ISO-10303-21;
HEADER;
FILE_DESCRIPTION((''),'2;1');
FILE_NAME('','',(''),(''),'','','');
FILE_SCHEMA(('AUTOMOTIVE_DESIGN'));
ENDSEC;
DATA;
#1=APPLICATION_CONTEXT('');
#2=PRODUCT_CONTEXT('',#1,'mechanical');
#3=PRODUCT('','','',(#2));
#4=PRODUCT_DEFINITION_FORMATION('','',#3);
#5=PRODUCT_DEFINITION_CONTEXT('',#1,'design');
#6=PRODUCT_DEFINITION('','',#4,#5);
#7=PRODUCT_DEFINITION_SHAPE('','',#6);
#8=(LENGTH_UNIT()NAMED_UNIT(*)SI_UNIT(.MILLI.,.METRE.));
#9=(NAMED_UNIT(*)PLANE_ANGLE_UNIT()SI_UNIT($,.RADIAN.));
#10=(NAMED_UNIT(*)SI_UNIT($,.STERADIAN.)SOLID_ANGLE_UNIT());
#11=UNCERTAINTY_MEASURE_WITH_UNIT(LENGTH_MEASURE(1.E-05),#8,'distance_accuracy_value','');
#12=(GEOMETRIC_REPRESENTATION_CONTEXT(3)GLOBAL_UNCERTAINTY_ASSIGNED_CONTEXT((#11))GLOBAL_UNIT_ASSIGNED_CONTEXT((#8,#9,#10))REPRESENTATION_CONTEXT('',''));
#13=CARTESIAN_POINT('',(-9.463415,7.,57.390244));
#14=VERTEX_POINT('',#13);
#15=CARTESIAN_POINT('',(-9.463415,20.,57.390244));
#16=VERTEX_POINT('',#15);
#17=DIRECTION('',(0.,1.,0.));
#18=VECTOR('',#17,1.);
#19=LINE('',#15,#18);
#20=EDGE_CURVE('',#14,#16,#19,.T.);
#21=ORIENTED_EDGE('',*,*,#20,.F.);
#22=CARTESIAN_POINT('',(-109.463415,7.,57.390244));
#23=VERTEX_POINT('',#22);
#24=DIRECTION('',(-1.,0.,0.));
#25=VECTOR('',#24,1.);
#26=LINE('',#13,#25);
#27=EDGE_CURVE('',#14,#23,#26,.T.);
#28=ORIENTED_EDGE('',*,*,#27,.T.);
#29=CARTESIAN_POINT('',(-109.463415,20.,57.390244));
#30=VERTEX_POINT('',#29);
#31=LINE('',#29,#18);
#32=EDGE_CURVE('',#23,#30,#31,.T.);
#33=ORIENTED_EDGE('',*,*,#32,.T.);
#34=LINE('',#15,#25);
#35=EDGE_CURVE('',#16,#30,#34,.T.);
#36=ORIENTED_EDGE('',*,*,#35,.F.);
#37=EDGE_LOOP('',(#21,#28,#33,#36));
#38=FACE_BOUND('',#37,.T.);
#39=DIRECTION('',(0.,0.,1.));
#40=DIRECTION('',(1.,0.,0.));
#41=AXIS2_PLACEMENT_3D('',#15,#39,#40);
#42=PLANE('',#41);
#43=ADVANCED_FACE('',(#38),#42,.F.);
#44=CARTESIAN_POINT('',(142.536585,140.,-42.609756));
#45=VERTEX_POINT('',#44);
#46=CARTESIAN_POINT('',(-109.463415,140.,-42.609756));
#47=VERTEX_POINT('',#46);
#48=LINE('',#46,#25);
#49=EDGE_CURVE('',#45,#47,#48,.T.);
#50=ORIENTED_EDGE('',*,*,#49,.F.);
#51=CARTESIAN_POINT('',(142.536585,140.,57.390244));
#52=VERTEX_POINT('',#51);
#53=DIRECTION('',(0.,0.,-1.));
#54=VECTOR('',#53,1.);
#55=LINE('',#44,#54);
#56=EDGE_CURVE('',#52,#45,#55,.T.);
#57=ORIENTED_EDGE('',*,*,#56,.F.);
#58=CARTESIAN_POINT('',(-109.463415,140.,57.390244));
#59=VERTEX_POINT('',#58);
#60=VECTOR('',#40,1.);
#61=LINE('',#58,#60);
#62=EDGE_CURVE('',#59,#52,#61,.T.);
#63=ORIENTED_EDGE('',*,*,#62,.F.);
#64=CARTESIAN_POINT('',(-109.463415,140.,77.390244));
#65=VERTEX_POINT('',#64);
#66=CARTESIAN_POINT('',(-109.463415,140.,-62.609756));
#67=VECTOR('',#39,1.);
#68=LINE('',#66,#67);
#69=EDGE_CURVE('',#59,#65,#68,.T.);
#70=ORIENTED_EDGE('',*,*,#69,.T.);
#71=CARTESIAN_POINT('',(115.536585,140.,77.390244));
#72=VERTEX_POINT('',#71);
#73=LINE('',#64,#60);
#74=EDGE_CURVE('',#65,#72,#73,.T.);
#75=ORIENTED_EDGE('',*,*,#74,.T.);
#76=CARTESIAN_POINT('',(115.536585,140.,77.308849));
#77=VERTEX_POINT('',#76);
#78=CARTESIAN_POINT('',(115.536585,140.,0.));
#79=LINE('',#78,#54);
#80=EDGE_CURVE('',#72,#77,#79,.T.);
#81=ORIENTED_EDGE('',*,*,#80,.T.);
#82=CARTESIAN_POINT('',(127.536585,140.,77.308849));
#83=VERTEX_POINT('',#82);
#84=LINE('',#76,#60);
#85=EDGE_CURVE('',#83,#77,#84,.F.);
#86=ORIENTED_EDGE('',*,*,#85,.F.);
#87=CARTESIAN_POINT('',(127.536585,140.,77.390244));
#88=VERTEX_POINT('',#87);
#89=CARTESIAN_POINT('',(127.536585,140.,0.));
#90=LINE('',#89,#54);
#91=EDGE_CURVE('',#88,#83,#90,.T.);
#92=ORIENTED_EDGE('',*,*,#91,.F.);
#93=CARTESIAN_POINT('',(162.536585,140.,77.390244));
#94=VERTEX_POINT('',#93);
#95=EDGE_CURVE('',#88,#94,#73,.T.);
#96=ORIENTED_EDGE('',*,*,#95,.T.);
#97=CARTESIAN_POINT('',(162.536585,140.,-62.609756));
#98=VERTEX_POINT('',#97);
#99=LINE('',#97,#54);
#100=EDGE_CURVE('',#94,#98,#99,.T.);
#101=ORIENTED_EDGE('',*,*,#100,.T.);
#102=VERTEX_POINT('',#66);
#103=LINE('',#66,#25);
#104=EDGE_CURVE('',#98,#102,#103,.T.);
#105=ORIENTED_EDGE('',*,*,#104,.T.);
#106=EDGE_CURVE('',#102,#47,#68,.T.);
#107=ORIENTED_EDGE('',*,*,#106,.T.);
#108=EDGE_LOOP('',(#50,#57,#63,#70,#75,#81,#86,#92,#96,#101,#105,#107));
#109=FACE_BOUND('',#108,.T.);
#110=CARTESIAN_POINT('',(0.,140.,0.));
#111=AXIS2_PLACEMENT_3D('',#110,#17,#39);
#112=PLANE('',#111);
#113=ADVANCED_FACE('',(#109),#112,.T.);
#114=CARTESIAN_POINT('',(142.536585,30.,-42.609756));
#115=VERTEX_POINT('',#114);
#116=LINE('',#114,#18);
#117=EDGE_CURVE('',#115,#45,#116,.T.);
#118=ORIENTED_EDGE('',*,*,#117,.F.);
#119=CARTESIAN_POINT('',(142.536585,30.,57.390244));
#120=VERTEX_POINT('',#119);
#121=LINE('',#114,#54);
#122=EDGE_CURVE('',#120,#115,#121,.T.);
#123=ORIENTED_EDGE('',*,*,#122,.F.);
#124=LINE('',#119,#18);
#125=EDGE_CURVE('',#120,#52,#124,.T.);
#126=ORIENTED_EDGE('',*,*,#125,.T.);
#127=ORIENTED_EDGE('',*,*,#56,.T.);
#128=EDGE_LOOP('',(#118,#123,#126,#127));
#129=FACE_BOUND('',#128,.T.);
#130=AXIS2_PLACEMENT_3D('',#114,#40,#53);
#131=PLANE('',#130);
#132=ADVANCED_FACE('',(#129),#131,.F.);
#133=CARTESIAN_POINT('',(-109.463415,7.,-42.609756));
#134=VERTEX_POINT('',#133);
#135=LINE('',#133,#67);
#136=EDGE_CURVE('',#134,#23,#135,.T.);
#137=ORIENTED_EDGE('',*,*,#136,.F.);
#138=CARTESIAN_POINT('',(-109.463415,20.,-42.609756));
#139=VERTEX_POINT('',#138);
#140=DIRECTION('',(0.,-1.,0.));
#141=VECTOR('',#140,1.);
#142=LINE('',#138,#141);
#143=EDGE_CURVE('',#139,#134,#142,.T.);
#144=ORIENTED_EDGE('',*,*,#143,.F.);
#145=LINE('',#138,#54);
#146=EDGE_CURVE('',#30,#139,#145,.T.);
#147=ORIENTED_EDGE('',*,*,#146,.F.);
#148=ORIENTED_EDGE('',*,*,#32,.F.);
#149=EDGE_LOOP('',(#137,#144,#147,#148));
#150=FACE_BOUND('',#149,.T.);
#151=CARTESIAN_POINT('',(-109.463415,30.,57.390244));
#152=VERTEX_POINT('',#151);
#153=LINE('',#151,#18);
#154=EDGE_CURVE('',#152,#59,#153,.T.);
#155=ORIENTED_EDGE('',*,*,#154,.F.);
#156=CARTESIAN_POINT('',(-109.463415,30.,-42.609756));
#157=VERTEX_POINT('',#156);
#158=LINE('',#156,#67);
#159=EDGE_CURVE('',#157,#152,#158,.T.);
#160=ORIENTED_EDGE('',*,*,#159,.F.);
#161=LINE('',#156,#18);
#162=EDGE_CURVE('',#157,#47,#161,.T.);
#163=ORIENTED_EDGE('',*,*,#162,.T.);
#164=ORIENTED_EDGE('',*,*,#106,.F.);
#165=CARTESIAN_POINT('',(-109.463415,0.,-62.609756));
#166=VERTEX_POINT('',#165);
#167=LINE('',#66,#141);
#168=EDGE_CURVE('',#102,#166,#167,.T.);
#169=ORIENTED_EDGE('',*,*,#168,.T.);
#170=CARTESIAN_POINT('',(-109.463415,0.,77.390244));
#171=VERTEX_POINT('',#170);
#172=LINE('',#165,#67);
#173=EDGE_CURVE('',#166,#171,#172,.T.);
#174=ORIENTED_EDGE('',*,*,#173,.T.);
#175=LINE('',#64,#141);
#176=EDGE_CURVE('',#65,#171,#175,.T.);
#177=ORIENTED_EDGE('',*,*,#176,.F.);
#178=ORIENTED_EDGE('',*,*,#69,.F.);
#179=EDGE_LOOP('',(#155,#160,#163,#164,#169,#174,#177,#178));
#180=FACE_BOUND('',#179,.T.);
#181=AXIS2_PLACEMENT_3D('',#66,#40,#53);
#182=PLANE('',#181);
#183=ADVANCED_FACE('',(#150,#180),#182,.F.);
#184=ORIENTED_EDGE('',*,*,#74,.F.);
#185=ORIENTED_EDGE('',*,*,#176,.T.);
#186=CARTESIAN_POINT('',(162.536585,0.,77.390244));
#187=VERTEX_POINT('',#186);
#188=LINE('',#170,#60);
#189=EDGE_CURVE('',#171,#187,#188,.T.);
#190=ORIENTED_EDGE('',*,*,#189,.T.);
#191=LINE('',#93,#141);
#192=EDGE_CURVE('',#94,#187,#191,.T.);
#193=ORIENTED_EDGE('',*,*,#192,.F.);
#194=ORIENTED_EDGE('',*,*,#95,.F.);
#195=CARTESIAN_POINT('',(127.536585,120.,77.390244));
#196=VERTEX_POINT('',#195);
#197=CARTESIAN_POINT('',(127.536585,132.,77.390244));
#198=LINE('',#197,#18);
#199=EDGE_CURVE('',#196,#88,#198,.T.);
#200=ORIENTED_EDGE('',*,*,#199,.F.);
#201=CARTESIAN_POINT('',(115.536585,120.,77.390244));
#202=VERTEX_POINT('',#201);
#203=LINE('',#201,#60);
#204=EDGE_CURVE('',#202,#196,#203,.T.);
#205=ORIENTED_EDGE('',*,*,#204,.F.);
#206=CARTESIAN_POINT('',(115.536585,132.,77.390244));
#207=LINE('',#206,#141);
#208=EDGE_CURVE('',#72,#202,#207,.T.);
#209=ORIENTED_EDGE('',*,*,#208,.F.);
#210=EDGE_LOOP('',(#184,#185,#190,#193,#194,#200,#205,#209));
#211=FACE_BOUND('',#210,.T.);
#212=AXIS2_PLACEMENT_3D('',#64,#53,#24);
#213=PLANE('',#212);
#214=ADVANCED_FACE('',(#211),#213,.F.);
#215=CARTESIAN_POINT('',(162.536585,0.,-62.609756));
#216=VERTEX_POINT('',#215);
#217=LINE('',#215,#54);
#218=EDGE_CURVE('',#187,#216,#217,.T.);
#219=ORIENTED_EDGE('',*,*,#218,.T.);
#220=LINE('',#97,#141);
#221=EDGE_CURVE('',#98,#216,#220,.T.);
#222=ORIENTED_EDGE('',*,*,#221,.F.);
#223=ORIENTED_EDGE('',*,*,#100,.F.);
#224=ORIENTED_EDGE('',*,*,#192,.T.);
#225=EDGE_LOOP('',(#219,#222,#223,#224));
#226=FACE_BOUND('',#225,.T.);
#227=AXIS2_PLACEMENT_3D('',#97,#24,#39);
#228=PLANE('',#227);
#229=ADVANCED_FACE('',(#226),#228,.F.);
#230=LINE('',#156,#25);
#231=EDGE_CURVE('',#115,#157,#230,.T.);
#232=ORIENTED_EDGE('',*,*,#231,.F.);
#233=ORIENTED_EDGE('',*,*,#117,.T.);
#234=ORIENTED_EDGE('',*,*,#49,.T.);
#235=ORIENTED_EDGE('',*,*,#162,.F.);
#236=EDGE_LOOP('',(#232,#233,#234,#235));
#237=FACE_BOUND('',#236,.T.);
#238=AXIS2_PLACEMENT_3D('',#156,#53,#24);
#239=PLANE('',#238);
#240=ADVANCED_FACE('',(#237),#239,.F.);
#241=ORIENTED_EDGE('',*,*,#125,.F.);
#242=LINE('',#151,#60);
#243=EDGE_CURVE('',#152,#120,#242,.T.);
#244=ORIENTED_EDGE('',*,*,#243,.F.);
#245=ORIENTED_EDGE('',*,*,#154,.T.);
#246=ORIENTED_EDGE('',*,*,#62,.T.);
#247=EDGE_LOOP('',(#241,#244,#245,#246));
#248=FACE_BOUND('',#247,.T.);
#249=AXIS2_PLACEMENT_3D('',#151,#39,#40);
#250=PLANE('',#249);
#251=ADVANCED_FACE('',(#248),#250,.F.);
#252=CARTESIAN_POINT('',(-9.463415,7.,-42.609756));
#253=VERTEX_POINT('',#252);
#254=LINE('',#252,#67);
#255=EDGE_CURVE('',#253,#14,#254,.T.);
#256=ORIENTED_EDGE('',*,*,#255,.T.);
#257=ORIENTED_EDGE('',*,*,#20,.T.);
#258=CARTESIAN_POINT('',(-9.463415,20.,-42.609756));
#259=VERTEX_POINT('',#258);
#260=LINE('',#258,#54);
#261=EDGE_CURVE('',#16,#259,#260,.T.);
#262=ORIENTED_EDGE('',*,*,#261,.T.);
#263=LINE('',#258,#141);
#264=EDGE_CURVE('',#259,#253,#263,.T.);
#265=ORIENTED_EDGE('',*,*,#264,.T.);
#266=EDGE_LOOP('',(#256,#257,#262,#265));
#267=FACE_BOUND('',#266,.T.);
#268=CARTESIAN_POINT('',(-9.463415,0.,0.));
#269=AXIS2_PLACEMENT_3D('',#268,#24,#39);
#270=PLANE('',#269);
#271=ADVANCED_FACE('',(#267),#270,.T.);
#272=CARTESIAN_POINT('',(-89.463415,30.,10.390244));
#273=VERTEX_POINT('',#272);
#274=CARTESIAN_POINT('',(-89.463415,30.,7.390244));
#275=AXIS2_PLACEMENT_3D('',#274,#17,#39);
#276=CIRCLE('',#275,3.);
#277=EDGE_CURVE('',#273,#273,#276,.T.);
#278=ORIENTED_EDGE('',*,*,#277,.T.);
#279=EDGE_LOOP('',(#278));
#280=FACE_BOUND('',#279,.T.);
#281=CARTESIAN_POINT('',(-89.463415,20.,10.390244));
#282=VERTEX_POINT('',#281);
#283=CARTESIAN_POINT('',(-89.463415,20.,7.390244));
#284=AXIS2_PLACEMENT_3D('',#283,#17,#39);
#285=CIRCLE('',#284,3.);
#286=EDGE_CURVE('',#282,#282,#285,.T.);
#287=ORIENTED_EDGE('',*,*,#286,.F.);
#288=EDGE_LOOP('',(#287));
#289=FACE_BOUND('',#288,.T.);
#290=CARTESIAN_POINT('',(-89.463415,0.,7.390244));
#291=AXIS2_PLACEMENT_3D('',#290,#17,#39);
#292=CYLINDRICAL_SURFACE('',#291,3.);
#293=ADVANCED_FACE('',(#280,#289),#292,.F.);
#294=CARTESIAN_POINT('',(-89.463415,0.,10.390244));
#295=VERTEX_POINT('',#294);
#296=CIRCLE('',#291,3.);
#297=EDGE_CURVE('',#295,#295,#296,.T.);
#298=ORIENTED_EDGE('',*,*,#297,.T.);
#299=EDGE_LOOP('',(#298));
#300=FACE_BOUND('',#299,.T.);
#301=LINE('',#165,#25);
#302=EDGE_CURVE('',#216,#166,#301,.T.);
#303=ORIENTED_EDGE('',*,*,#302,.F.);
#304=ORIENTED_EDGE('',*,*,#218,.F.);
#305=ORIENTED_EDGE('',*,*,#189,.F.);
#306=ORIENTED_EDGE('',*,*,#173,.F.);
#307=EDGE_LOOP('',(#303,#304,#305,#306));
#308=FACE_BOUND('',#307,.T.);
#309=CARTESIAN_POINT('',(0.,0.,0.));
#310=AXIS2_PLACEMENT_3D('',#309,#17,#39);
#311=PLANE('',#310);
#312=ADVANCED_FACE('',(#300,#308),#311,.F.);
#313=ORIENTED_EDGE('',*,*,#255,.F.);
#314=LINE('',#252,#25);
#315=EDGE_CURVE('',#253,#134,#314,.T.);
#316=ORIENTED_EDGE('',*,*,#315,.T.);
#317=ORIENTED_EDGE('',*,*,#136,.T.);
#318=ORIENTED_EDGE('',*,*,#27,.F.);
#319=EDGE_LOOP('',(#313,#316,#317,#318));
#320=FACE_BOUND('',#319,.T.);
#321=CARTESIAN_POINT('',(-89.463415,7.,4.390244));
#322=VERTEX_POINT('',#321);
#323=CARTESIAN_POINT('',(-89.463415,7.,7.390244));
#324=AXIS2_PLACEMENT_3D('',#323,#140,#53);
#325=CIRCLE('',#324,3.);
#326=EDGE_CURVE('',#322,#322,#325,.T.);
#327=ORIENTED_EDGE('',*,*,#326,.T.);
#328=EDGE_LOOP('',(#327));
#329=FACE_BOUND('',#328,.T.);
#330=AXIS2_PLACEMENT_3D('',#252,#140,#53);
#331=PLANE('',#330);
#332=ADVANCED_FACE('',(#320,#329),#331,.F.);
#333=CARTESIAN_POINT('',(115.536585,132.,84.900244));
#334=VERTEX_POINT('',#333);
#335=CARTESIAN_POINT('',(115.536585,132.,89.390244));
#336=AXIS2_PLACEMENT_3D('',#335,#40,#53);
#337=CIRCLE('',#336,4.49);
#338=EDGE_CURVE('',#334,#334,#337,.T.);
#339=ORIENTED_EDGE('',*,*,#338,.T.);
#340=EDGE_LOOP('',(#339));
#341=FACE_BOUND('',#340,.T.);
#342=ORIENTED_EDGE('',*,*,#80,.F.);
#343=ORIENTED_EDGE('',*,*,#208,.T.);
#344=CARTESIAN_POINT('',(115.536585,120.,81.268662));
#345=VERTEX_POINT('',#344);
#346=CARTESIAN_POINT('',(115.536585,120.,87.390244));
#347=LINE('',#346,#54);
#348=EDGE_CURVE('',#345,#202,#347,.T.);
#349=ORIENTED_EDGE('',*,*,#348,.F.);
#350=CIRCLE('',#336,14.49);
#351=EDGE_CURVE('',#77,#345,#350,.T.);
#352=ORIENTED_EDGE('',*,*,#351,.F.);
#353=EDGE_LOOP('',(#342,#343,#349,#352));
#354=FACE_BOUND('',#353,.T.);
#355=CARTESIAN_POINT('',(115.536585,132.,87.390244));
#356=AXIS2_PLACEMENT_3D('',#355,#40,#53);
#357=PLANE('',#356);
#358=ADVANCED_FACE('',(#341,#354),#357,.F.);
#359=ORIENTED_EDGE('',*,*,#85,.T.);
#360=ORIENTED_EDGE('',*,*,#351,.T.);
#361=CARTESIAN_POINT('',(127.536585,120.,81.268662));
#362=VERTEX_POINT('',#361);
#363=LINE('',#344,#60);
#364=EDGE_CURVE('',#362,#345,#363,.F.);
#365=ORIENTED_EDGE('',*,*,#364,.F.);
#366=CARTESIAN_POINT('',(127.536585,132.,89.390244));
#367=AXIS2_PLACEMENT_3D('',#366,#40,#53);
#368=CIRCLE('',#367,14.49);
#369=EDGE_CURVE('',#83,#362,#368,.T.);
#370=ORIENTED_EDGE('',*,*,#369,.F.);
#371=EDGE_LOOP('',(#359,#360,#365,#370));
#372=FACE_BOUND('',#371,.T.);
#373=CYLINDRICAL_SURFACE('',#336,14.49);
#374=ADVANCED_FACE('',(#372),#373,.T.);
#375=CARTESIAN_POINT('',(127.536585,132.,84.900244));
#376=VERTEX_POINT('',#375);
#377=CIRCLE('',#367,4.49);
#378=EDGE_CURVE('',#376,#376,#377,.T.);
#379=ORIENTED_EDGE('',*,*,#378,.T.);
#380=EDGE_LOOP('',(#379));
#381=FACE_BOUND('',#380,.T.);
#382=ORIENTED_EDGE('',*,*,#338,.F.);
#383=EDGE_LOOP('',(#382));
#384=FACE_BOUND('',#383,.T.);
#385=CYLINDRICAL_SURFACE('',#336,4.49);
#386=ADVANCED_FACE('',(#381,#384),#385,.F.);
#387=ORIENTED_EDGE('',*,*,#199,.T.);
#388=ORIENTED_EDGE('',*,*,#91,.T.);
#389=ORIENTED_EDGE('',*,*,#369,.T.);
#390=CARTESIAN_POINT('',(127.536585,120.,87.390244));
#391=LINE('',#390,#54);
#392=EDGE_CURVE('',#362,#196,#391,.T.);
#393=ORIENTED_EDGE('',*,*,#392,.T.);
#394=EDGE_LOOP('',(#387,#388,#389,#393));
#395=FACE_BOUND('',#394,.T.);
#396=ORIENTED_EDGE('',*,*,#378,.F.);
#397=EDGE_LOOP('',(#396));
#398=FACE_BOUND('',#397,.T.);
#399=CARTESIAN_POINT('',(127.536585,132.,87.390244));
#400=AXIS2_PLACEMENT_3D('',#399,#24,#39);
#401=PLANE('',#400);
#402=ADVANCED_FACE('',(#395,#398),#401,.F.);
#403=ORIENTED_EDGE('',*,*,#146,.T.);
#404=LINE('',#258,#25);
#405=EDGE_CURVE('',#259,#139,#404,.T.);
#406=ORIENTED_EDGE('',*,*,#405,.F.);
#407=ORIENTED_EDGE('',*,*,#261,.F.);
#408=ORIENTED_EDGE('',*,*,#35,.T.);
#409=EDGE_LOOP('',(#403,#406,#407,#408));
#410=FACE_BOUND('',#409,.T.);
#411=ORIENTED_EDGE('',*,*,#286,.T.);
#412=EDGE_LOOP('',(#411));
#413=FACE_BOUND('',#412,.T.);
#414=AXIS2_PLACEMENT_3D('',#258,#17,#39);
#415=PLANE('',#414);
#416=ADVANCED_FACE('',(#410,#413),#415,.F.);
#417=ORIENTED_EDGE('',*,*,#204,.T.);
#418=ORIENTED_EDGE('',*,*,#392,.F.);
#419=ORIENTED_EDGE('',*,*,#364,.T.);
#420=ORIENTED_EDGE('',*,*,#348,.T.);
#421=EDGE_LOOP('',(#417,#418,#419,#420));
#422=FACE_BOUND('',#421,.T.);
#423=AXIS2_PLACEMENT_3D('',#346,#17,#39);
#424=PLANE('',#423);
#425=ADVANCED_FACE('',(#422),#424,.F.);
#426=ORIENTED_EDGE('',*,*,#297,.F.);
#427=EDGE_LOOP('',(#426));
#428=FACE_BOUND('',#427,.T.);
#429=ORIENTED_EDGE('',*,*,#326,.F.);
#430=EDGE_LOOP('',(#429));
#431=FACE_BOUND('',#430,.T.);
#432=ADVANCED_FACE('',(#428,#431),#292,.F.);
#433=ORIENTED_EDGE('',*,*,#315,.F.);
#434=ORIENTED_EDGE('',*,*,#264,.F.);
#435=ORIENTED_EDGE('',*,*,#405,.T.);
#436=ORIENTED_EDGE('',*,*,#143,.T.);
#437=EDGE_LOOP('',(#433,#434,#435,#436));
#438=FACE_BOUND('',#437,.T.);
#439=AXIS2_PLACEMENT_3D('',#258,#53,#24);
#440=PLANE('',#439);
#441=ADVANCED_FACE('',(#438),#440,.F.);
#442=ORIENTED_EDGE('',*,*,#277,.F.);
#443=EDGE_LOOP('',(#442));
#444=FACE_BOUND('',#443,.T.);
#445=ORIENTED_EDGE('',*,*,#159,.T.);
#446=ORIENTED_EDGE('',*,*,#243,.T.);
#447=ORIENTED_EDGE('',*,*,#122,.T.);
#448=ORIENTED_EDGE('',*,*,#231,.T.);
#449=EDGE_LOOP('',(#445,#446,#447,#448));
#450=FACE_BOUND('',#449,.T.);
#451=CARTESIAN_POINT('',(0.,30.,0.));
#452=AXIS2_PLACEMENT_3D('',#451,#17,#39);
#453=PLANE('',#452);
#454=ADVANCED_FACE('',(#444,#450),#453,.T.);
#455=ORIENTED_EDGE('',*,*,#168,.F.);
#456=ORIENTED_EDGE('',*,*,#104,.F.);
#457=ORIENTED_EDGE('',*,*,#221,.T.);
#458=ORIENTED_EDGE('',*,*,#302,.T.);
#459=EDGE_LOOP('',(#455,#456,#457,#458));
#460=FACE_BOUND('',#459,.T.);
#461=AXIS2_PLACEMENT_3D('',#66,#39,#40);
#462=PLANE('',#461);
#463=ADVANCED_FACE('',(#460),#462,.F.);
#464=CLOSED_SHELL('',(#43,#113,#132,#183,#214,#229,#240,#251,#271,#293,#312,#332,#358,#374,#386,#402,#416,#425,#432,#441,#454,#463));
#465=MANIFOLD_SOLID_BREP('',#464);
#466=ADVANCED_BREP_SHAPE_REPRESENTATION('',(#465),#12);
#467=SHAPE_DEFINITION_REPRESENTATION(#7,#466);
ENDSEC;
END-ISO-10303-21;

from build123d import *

# Parameters (mm, degrees)
SKETCH_1_W          = 272
SKETCH_1_H          = 140
EXTRUDE_1_DEPTH     = 140
SKETCH_2_W          = 252
SKETCH_2_H          = 100
CUT_EXTRUDE_1_DEPTH = 110
SKETCH_3_W          = 100
SKETCH_3_H          = 13
CUT_EXTRUDE_2_DEPTH = 100
SKETCH_7_R          = 3
CUT_EXTRUDE_3_DEPTH = 211.967749748
SKETCH_8_W          = 12
SKETCH_8_H          = 12
EXTRUDE_2_DEPTH     = 10
SKETCH_9_R          = 14.49
SKETCH_9_R_2        = 4.49
EXTRUDE_1_2_DEPTH   = 12
SKETCH_11_R         = 4.49
CUT_EXTRUDE_5_DEPTH = 298.354040116


with BuildPart() as part:
    # 草圖1 → Extrude 1 (new body)
    with BuildSketch(Plane(origin=(0, 0, 0), x_dir=(1, 0, 0), z_dir=(0, 1, 0))):
        with Locations((26.536585366, -7.390243902)):
            Rectangle(SKETCH_1_W, SKETCH_1_H)
    extrude(amount=EXTRUDE_1_DEPTH)

    # 草圖2 → 除料-伸長1 (cut)
    with BuildSketch(Plane(origin=(0, 140, 0), x_dir=(1, 0, 0), z_dir=(0, 1, 0))):
        with Locations((16.536585366, -7.390243902)):
            Rectangle(SKETCH_2_W, SKETCH_2_H)
    extrude(amount=-CUT_EXTRUDE_1_DEPTH, mode=Mode.SUBTRACT)

    # 草圖3 → 除料-伸長2 (cut)
    with BuildSketch(Plane.ZY.offset(109.463414634)):
        with Locations((7.390243902, 13.5)):
            Rectangle(SKETCH_3_W, SKETCH_3_H)
    extrude(amount=-CUT_EXTRUDE_2_DEPTH, mode=Mode.SUBTRACT)

    # 草圖7 → 除料-伸長3 (cut, through all)
    with BuildSketch(Plane(origin=(0, 30, 0), x_dir=(1, 0, 0), z_dir=(0, 1, 0))):
        with Locations(Location((-89.463414634, -7.390243902, 0), (0, 0, 270))):
            Circle(SKETCH_7_R)
    extrude(amount=-CUT_EXTRUDE_3_DEPTH, mode=Mode.SUBTRACT)

    # 草圖8 → 填料-伸長2 (add)
    with BuildSketch(Plane.XY.offset(77.390243902)):
        with Locations((121.536585366, 126)):
            Rectangle(SKETCH_8_W, SKETCH_8_H)
    extrude(amount=EXTRUDE_2_DEPTH)

    # 草圖9 → Extrude 1 2 (add)
    with BuildSketch(Plane(origin=(127.536585366, 0, 0), x_dir=(0, 0, -1), z_dir=(1, 0, 0))):
        with Locations((-89.390243902, 132)):
            Circle(SKETCH_9_R)
        with Locations((-89.390243902, 132)):
            Circle(SKETCH_9_R_2, mode=Mode.SUBTRACT)
    extrude(amount=-EXTRUDE_1_2_DEPTH)

    # 草圖11 → 除料-伸長5 (cut, through all)
    with BuildSketch(Plane(origin=(127.536585366, 0, 0), x_dir=(0, 0, -1), z_dir=(1, 0, 0))):
        with Locations((-89.390243902, 132)):
            Circle(SKETCH_11_R)
    extrude(amount=-CUT_EXTRUDE_5_DEPTH, mode=Mode.SUBTRACT)


solid = part.part
